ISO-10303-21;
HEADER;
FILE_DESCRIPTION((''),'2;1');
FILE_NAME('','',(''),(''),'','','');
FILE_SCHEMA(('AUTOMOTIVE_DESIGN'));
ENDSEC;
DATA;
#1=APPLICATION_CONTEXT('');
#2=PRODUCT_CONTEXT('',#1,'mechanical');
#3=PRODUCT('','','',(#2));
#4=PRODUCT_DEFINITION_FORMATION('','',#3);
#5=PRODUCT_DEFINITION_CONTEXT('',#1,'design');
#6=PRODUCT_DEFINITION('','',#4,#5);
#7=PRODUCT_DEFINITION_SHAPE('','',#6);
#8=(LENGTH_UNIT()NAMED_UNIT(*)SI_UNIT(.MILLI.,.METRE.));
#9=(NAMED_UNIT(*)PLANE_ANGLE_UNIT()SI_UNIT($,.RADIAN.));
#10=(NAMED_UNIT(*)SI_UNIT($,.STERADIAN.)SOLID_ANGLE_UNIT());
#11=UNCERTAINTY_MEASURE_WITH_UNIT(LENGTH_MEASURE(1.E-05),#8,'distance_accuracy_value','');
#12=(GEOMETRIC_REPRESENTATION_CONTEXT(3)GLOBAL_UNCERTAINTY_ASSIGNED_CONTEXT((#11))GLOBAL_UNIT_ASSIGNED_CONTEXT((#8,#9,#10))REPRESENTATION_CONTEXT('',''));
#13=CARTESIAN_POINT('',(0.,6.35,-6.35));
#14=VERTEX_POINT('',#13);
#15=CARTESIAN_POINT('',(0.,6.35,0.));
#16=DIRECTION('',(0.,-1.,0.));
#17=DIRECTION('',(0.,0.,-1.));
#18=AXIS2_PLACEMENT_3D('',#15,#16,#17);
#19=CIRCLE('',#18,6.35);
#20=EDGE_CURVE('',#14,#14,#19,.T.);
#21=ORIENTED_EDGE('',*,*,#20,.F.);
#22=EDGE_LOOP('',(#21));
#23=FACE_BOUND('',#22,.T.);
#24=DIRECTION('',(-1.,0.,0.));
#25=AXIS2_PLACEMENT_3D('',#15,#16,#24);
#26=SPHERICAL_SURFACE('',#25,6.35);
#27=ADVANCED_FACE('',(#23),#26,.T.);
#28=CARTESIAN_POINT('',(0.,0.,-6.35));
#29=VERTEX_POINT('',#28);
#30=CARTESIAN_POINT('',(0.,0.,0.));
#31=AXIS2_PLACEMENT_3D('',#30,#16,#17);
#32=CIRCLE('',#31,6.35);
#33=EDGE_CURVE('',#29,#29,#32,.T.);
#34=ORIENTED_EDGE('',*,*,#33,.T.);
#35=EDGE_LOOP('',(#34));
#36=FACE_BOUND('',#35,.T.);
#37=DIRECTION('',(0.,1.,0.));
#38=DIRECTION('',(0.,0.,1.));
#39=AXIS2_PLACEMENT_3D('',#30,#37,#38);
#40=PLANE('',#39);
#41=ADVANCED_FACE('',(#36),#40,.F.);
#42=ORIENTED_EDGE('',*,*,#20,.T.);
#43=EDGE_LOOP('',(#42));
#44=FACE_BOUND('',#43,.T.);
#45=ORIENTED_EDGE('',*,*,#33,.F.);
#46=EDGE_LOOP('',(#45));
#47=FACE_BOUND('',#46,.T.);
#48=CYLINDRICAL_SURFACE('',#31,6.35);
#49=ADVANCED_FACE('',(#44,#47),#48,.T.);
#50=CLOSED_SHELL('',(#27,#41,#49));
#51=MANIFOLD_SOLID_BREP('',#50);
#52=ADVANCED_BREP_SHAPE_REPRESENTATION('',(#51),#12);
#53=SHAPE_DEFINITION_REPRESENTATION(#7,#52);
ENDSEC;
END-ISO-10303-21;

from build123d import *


with BuildPart() as part:
    # Sketch1 → Revolve1 (revolve)
    with BuildSketch(Plane.XY, mode=Mode.PRIVATE) as revolve1_sk:
        with BuildLine():
            Line((0, 0), (0, 12.7))
            ThreePointArc((0, 12.7), (-4.490128061, 10.840128061), (-6.35, 6.35))
            Line((-6.35, 6.35), (-6.35, 0))
            Line((-6.35, 0), (0, 0))
        make_face()
    revolve(revolve1_sk.sketch.rotate(Axis((0, 0, 0), (0, 1, 0)), 270), axis=Axis((0, 0, 0), (0, 1, 0)))  # turned: the seam where the file's is


solid = part.part
